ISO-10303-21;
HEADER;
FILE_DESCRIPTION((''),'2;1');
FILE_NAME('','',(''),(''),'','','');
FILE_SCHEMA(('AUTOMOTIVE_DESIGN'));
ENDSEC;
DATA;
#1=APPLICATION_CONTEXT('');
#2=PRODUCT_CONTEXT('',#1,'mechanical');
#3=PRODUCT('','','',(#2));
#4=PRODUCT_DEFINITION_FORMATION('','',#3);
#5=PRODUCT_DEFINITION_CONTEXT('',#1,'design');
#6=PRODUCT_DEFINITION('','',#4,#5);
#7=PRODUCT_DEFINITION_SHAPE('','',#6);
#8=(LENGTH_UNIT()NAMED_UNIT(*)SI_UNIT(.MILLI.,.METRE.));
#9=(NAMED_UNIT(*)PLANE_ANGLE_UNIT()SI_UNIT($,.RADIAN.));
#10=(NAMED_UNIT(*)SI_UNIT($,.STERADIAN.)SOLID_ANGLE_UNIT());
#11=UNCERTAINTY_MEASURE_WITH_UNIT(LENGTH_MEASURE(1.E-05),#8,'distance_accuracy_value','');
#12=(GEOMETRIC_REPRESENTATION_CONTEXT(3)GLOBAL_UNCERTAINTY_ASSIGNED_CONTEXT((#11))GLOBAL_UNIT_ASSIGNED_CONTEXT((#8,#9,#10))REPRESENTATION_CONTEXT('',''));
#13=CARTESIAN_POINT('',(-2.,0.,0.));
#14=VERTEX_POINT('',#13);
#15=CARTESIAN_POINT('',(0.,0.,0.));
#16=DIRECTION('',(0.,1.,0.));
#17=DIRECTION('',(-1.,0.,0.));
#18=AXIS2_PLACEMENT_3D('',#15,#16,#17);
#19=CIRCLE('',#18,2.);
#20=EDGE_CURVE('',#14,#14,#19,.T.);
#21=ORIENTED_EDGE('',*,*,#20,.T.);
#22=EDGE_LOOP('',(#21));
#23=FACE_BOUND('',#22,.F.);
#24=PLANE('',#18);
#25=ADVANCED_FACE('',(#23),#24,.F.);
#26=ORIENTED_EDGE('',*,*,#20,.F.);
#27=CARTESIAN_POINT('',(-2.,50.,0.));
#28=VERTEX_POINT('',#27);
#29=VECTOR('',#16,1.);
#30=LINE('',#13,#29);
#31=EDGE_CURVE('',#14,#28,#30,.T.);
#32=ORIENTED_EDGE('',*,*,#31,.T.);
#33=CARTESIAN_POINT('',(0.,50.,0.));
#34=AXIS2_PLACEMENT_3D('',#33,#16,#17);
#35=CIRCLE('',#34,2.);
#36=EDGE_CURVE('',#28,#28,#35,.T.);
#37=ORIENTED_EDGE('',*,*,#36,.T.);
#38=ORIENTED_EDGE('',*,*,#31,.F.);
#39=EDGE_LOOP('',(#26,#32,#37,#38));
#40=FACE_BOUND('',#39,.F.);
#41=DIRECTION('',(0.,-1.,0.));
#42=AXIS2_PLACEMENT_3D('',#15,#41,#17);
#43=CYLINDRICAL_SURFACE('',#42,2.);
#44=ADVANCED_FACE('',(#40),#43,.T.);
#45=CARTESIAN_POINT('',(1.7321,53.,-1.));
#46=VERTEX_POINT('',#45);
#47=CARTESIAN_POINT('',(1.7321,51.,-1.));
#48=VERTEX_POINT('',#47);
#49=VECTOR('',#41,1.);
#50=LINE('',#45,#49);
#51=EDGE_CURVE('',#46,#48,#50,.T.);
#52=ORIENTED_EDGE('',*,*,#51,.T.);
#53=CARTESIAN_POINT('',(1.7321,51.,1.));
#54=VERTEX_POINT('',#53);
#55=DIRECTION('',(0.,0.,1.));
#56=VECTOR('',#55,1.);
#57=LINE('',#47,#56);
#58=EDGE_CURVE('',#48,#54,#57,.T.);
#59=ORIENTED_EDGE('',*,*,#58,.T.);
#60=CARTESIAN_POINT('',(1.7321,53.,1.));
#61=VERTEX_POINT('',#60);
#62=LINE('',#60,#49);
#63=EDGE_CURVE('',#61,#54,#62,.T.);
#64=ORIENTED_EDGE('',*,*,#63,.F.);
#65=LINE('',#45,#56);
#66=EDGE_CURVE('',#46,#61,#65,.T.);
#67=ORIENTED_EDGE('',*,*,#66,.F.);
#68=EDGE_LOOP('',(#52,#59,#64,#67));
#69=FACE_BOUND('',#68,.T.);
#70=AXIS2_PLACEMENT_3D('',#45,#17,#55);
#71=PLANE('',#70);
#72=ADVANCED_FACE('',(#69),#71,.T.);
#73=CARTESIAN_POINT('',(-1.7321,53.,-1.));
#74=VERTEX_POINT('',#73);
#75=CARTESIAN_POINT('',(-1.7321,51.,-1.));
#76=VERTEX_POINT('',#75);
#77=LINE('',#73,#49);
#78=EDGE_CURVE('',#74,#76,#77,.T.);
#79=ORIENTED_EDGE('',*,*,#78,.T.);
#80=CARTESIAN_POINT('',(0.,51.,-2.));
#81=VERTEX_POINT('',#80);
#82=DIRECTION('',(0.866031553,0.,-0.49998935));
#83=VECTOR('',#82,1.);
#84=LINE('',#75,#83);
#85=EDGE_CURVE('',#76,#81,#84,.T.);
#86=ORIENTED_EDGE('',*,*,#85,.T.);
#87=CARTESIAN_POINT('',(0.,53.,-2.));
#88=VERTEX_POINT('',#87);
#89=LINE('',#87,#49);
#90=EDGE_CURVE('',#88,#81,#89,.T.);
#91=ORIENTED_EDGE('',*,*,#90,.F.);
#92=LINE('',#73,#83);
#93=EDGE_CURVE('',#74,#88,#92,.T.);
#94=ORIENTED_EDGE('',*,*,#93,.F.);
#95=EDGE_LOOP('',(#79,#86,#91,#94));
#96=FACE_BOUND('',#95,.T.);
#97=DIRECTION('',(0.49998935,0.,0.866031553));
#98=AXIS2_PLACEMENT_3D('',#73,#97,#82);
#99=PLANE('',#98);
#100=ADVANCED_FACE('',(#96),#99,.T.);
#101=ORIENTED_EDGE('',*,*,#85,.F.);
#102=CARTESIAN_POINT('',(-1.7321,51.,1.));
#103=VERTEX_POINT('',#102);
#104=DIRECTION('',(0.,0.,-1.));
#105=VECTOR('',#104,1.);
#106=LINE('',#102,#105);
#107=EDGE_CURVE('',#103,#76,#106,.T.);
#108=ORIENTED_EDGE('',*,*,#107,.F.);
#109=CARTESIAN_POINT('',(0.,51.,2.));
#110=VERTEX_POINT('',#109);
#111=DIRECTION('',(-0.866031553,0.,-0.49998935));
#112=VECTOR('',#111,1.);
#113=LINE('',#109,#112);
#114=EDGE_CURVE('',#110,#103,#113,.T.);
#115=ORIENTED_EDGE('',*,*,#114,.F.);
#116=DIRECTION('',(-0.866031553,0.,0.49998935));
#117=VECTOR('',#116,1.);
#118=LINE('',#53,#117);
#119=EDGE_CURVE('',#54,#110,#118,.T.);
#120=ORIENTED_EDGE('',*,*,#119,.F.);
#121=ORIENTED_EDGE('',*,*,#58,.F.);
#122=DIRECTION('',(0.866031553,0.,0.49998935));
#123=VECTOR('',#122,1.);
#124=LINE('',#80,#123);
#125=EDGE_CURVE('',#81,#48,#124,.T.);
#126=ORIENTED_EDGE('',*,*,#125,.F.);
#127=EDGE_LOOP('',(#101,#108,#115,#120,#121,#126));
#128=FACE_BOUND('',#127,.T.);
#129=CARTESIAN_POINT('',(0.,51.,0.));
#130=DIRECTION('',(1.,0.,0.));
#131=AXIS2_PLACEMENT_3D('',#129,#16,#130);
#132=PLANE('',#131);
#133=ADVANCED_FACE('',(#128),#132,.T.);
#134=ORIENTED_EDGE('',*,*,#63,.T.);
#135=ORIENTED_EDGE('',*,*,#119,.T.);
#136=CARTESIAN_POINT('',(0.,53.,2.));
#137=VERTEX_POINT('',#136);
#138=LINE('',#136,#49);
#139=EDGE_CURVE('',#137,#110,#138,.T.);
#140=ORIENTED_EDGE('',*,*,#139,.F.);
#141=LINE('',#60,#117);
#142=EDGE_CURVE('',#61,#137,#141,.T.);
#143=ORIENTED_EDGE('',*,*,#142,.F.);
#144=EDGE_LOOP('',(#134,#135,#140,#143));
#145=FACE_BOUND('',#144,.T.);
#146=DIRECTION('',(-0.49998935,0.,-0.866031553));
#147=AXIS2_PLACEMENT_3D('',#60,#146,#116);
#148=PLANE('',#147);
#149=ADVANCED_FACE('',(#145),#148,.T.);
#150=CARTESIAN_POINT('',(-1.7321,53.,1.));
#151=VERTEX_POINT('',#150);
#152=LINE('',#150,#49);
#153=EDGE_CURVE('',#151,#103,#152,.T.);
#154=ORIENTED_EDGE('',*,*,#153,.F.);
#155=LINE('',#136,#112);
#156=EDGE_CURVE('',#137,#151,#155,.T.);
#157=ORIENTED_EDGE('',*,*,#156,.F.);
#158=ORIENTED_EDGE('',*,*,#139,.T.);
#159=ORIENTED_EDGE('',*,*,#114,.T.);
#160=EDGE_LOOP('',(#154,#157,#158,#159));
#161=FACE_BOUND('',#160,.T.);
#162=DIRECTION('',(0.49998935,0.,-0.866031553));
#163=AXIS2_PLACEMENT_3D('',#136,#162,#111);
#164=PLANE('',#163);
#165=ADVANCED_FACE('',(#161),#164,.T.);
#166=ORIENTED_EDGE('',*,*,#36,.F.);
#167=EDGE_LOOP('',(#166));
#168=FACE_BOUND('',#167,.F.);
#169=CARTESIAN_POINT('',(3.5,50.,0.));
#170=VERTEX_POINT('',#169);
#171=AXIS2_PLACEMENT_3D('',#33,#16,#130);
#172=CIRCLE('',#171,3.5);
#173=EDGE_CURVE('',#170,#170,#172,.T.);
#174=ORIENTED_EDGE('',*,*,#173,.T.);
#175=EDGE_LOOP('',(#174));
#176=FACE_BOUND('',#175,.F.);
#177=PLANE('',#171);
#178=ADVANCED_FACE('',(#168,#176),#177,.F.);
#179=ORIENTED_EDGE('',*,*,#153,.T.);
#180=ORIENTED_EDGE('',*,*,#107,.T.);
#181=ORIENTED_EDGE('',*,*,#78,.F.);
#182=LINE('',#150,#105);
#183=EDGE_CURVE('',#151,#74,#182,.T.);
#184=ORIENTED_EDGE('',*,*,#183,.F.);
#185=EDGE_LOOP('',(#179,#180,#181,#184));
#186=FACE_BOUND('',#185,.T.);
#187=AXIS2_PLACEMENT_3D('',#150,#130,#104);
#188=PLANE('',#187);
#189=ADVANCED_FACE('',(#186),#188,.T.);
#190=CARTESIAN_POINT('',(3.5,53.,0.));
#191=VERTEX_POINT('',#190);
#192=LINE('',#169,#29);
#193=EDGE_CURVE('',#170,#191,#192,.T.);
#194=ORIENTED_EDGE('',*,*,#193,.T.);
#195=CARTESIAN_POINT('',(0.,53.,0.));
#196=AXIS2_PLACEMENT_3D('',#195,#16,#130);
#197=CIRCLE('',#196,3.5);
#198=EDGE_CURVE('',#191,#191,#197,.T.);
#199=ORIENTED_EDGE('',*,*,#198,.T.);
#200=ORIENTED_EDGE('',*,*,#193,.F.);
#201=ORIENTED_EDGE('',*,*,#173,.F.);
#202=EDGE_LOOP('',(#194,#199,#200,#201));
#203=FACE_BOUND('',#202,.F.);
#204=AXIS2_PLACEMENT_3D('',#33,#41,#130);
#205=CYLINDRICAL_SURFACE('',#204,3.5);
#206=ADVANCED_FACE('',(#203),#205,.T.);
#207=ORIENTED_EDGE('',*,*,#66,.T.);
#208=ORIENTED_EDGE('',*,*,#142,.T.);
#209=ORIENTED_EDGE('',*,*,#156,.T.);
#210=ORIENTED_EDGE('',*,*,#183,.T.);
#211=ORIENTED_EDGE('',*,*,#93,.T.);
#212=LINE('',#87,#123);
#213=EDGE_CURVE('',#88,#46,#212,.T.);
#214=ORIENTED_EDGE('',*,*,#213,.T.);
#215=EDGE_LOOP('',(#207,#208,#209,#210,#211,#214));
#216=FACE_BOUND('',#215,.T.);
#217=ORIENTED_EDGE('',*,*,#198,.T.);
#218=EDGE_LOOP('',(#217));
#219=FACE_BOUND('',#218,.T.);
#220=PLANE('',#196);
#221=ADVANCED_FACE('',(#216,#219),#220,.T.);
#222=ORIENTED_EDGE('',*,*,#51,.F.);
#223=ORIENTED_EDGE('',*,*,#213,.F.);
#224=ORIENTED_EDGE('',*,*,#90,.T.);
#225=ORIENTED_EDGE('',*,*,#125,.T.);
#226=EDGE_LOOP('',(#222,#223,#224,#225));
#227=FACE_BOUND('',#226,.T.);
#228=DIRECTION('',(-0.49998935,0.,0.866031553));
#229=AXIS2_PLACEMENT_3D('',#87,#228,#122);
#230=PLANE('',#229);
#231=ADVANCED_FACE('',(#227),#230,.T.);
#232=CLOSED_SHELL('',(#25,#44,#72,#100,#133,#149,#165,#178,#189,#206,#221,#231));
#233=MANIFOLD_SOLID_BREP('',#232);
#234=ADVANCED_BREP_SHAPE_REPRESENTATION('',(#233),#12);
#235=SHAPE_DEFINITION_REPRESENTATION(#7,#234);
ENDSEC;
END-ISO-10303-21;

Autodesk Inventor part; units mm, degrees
ref_plane "YZ Plane" through (0, 0, 0) normal (1, 0, 0) x (0, 1, 0)
ref_plane "XZ Plane" through (0, 0, 0) normal (0, 1, 0) x (-1, 0, 0)
ref_plane "XY Plane" through (0, 0, 0) normal (0, 0, 1) x (1, 0, 0)
sketch "Sketch1" plane through (0, 0, 0) normal (0, 1, 0) x (-1, 0, 0)
  circle A0 centre (0, 0) radius 2
  dimension "d0" = 4
extrude "Extrusion1" add sketch "Sketch1" along normal blind 50
sketch "Sketch2" plane through (0, 50, 0) normal (0, 1, 0) x (1, 0, 0)
  circle A0 centre (0, 0) radius 3.5
  dimension "d3" = 7
extrude "Extrusion2" add sketch "Sketch2" along normal blind 3
sketch "Sketch3" plane through (0, 53, 0) normal (0, 1, 0) x (1, 0, 0)
  circle A0 centre (0, 0) radius 2 projected
  line L0 (0, 2) -> (1.7321, 1)
  line L1 (1.7321, 1) -> (1.7321, -1)
  line L2 (1.7321, -1) -> (0, -2)
  line L3 (0, -2) -> (-1.7321, -1)
  line L4 (-1.7321, -1) -> (-1.7321, 1)
  line L5 (-1.7321, 1) -> (0, 2)
extrude "Extrusion3" cut sketch "Sketch3" against normal blind 2 contours L1 L2 L3 L4 L5 L0
properties part number "M4_shoulder_bolt"
